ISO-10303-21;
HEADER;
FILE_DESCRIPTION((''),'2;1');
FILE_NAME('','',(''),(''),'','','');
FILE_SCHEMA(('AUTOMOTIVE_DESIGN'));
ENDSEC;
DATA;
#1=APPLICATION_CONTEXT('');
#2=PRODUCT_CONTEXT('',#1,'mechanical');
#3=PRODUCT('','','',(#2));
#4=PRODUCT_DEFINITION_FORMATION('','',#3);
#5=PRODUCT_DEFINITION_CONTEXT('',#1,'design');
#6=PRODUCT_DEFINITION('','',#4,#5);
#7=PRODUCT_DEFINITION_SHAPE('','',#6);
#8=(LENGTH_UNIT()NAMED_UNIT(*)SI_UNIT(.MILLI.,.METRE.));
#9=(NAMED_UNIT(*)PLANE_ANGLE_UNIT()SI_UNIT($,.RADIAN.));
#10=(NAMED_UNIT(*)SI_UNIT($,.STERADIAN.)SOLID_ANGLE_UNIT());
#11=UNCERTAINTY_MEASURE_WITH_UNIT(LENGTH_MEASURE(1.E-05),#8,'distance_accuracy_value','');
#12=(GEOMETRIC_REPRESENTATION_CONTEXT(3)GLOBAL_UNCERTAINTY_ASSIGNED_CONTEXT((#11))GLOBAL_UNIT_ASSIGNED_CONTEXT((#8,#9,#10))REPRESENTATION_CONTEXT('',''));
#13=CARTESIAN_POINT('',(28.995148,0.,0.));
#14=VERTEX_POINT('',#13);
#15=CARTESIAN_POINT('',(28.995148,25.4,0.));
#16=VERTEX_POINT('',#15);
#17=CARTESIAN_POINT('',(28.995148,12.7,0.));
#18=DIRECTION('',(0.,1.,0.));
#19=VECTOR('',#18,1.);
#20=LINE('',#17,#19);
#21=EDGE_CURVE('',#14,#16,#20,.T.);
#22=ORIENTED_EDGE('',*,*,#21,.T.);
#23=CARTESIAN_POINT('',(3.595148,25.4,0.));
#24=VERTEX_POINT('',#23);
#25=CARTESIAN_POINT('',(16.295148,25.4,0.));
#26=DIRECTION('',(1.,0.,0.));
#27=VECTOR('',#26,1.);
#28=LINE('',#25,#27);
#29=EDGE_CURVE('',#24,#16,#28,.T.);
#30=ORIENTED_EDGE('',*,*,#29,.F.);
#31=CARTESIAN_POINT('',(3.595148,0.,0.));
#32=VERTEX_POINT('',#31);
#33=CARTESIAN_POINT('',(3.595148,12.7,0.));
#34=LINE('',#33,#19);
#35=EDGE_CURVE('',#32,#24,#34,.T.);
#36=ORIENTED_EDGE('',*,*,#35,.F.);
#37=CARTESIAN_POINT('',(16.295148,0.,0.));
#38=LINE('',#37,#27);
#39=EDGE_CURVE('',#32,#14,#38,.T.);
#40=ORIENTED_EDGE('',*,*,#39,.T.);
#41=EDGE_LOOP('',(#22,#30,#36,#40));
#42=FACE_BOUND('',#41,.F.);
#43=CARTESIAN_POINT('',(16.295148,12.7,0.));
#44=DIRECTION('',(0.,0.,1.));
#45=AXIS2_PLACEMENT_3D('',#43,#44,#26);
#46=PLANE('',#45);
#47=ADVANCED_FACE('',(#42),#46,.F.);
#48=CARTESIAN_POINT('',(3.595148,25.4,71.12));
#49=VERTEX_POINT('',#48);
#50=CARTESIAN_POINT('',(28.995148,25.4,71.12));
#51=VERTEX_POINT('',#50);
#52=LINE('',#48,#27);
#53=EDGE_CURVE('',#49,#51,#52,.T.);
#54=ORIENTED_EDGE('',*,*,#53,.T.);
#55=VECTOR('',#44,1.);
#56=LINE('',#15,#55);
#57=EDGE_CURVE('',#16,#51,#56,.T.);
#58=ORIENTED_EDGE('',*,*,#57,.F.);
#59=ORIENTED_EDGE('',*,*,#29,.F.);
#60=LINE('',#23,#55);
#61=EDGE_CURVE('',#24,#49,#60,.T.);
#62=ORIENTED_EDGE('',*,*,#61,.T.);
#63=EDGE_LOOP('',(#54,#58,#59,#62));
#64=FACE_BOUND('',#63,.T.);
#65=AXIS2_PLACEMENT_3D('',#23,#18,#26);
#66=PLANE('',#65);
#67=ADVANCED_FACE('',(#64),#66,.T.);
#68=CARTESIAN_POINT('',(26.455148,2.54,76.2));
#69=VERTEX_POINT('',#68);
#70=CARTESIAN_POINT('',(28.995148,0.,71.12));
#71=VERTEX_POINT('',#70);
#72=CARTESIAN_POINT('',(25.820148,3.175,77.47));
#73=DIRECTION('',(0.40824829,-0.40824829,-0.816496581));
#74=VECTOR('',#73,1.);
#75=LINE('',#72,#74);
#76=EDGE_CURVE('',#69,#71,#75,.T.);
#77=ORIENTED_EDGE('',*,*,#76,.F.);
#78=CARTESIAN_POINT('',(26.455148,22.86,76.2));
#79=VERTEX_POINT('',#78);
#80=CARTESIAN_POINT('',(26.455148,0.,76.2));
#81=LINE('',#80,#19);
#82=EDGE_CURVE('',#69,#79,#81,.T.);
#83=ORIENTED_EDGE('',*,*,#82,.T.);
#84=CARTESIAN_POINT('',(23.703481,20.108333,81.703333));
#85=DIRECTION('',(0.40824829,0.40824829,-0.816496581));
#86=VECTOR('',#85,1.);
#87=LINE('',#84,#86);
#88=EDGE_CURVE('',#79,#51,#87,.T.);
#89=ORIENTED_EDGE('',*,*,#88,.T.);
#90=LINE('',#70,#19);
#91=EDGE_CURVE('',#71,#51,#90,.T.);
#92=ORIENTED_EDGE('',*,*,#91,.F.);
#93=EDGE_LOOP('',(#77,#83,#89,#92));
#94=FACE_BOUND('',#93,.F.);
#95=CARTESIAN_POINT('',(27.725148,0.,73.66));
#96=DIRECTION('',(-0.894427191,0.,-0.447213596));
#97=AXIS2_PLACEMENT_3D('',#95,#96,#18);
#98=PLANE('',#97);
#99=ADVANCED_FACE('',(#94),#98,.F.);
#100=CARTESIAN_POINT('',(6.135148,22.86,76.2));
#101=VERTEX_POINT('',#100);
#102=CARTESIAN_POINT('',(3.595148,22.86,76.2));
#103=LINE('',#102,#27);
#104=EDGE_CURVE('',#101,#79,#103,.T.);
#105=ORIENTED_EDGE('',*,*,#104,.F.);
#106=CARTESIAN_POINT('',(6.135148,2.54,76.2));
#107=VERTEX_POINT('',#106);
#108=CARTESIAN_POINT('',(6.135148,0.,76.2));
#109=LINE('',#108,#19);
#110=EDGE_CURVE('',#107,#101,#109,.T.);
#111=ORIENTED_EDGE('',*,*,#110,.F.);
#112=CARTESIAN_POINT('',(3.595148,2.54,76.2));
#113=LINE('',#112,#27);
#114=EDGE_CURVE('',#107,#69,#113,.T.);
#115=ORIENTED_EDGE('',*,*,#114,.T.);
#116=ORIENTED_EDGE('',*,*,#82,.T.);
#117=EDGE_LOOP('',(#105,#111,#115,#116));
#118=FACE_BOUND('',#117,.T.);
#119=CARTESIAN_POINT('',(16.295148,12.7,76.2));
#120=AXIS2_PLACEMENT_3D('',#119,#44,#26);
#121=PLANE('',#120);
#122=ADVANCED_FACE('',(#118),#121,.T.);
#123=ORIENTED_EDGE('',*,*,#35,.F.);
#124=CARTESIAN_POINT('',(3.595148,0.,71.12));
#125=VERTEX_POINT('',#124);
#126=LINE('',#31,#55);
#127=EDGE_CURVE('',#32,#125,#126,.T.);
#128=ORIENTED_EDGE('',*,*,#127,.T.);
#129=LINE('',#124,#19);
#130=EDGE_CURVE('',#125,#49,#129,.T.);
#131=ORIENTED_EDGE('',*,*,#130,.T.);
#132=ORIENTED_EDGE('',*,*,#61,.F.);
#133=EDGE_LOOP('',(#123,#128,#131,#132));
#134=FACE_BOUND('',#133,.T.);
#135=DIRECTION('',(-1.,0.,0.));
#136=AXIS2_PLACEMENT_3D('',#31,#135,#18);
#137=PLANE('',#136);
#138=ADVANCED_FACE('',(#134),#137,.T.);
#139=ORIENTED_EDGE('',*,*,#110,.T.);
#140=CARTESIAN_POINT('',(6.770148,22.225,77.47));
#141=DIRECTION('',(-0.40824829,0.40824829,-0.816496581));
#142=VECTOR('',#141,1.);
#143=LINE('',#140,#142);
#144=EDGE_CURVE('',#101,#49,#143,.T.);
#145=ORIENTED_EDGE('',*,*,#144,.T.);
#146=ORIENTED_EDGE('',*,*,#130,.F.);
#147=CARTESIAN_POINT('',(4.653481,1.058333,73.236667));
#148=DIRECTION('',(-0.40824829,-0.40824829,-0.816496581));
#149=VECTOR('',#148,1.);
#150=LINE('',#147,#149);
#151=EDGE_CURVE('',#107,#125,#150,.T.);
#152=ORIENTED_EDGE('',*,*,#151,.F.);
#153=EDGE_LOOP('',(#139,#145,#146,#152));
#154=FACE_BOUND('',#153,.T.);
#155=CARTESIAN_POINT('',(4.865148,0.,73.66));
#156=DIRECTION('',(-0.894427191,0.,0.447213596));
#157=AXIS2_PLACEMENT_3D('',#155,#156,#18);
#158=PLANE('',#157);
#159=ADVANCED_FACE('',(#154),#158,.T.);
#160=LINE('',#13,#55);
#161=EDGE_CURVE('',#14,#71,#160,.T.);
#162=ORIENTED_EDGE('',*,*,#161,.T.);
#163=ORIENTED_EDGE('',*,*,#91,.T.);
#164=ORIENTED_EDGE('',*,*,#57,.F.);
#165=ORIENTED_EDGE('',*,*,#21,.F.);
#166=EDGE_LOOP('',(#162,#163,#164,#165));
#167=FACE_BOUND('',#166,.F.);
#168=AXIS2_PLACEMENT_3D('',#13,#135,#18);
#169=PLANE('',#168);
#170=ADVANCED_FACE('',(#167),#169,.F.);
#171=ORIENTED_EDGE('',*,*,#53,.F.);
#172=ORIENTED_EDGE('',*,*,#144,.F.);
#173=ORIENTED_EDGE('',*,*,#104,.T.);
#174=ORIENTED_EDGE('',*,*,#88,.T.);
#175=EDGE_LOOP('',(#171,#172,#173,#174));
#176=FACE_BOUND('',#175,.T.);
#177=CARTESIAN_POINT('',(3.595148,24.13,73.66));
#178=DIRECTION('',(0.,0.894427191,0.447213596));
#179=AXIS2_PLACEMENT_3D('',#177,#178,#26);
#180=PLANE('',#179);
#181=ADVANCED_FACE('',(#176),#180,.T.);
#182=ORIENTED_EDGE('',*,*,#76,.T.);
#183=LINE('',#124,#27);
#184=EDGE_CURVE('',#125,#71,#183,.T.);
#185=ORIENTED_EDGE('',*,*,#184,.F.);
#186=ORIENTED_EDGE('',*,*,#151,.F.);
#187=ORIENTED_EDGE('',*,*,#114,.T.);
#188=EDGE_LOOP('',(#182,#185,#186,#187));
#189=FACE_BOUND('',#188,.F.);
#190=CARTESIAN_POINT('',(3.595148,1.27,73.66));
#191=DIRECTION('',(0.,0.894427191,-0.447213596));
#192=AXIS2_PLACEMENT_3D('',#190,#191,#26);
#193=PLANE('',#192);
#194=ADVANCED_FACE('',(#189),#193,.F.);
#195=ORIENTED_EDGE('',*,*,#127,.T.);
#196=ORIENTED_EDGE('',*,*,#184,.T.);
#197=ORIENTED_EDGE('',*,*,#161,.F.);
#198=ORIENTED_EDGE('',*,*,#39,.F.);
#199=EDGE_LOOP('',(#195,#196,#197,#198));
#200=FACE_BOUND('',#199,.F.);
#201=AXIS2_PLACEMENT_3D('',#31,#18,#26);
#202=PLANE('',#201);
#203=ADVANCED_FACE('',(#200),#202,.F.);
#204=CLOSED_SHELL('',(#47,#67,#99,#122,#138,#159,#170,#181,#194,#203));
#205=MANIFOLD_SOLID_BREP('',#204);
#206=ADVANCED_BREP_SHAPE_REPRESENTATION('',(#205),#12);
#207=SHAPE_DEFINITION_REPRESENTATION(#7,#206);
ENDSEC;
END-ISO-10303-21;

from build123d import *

# Parameters (mm, degrees)
F0_W     = 25.4
F0_H     = 25.4
F1_DEPTH = 76.2
F2_SIZE2 = 5.08
F2_SIZE  = 2.54


with BuildPart() as f1:
    # F0 (on Top) → F1 (new body)
    with BuildSketch(Plane.XY):
        with Locations((16.2951475147, 12.7)):
            Rectangle(F0_W, F0_H)
    extrude(amount=F1_DEPTH)

    # F2
    f2_edges = [f1.edges().sort_by_distance(p)[0] for p in [
        (28.995148, 12.7, 76.2),
        (16.295148, 0, 76.2),
        (3.595148, 12.7, 76.2),
        (16.295148, 25.4, 76.2),
    ]]
    f2_side = f1.faces().sort_by_distance((16.295148, 12.7, 76.2))[0]
    chamfer(f2_edges, length=F2_SIZE, length2=F2_SIZE2, reference=f2_side)


solid = f1.part
